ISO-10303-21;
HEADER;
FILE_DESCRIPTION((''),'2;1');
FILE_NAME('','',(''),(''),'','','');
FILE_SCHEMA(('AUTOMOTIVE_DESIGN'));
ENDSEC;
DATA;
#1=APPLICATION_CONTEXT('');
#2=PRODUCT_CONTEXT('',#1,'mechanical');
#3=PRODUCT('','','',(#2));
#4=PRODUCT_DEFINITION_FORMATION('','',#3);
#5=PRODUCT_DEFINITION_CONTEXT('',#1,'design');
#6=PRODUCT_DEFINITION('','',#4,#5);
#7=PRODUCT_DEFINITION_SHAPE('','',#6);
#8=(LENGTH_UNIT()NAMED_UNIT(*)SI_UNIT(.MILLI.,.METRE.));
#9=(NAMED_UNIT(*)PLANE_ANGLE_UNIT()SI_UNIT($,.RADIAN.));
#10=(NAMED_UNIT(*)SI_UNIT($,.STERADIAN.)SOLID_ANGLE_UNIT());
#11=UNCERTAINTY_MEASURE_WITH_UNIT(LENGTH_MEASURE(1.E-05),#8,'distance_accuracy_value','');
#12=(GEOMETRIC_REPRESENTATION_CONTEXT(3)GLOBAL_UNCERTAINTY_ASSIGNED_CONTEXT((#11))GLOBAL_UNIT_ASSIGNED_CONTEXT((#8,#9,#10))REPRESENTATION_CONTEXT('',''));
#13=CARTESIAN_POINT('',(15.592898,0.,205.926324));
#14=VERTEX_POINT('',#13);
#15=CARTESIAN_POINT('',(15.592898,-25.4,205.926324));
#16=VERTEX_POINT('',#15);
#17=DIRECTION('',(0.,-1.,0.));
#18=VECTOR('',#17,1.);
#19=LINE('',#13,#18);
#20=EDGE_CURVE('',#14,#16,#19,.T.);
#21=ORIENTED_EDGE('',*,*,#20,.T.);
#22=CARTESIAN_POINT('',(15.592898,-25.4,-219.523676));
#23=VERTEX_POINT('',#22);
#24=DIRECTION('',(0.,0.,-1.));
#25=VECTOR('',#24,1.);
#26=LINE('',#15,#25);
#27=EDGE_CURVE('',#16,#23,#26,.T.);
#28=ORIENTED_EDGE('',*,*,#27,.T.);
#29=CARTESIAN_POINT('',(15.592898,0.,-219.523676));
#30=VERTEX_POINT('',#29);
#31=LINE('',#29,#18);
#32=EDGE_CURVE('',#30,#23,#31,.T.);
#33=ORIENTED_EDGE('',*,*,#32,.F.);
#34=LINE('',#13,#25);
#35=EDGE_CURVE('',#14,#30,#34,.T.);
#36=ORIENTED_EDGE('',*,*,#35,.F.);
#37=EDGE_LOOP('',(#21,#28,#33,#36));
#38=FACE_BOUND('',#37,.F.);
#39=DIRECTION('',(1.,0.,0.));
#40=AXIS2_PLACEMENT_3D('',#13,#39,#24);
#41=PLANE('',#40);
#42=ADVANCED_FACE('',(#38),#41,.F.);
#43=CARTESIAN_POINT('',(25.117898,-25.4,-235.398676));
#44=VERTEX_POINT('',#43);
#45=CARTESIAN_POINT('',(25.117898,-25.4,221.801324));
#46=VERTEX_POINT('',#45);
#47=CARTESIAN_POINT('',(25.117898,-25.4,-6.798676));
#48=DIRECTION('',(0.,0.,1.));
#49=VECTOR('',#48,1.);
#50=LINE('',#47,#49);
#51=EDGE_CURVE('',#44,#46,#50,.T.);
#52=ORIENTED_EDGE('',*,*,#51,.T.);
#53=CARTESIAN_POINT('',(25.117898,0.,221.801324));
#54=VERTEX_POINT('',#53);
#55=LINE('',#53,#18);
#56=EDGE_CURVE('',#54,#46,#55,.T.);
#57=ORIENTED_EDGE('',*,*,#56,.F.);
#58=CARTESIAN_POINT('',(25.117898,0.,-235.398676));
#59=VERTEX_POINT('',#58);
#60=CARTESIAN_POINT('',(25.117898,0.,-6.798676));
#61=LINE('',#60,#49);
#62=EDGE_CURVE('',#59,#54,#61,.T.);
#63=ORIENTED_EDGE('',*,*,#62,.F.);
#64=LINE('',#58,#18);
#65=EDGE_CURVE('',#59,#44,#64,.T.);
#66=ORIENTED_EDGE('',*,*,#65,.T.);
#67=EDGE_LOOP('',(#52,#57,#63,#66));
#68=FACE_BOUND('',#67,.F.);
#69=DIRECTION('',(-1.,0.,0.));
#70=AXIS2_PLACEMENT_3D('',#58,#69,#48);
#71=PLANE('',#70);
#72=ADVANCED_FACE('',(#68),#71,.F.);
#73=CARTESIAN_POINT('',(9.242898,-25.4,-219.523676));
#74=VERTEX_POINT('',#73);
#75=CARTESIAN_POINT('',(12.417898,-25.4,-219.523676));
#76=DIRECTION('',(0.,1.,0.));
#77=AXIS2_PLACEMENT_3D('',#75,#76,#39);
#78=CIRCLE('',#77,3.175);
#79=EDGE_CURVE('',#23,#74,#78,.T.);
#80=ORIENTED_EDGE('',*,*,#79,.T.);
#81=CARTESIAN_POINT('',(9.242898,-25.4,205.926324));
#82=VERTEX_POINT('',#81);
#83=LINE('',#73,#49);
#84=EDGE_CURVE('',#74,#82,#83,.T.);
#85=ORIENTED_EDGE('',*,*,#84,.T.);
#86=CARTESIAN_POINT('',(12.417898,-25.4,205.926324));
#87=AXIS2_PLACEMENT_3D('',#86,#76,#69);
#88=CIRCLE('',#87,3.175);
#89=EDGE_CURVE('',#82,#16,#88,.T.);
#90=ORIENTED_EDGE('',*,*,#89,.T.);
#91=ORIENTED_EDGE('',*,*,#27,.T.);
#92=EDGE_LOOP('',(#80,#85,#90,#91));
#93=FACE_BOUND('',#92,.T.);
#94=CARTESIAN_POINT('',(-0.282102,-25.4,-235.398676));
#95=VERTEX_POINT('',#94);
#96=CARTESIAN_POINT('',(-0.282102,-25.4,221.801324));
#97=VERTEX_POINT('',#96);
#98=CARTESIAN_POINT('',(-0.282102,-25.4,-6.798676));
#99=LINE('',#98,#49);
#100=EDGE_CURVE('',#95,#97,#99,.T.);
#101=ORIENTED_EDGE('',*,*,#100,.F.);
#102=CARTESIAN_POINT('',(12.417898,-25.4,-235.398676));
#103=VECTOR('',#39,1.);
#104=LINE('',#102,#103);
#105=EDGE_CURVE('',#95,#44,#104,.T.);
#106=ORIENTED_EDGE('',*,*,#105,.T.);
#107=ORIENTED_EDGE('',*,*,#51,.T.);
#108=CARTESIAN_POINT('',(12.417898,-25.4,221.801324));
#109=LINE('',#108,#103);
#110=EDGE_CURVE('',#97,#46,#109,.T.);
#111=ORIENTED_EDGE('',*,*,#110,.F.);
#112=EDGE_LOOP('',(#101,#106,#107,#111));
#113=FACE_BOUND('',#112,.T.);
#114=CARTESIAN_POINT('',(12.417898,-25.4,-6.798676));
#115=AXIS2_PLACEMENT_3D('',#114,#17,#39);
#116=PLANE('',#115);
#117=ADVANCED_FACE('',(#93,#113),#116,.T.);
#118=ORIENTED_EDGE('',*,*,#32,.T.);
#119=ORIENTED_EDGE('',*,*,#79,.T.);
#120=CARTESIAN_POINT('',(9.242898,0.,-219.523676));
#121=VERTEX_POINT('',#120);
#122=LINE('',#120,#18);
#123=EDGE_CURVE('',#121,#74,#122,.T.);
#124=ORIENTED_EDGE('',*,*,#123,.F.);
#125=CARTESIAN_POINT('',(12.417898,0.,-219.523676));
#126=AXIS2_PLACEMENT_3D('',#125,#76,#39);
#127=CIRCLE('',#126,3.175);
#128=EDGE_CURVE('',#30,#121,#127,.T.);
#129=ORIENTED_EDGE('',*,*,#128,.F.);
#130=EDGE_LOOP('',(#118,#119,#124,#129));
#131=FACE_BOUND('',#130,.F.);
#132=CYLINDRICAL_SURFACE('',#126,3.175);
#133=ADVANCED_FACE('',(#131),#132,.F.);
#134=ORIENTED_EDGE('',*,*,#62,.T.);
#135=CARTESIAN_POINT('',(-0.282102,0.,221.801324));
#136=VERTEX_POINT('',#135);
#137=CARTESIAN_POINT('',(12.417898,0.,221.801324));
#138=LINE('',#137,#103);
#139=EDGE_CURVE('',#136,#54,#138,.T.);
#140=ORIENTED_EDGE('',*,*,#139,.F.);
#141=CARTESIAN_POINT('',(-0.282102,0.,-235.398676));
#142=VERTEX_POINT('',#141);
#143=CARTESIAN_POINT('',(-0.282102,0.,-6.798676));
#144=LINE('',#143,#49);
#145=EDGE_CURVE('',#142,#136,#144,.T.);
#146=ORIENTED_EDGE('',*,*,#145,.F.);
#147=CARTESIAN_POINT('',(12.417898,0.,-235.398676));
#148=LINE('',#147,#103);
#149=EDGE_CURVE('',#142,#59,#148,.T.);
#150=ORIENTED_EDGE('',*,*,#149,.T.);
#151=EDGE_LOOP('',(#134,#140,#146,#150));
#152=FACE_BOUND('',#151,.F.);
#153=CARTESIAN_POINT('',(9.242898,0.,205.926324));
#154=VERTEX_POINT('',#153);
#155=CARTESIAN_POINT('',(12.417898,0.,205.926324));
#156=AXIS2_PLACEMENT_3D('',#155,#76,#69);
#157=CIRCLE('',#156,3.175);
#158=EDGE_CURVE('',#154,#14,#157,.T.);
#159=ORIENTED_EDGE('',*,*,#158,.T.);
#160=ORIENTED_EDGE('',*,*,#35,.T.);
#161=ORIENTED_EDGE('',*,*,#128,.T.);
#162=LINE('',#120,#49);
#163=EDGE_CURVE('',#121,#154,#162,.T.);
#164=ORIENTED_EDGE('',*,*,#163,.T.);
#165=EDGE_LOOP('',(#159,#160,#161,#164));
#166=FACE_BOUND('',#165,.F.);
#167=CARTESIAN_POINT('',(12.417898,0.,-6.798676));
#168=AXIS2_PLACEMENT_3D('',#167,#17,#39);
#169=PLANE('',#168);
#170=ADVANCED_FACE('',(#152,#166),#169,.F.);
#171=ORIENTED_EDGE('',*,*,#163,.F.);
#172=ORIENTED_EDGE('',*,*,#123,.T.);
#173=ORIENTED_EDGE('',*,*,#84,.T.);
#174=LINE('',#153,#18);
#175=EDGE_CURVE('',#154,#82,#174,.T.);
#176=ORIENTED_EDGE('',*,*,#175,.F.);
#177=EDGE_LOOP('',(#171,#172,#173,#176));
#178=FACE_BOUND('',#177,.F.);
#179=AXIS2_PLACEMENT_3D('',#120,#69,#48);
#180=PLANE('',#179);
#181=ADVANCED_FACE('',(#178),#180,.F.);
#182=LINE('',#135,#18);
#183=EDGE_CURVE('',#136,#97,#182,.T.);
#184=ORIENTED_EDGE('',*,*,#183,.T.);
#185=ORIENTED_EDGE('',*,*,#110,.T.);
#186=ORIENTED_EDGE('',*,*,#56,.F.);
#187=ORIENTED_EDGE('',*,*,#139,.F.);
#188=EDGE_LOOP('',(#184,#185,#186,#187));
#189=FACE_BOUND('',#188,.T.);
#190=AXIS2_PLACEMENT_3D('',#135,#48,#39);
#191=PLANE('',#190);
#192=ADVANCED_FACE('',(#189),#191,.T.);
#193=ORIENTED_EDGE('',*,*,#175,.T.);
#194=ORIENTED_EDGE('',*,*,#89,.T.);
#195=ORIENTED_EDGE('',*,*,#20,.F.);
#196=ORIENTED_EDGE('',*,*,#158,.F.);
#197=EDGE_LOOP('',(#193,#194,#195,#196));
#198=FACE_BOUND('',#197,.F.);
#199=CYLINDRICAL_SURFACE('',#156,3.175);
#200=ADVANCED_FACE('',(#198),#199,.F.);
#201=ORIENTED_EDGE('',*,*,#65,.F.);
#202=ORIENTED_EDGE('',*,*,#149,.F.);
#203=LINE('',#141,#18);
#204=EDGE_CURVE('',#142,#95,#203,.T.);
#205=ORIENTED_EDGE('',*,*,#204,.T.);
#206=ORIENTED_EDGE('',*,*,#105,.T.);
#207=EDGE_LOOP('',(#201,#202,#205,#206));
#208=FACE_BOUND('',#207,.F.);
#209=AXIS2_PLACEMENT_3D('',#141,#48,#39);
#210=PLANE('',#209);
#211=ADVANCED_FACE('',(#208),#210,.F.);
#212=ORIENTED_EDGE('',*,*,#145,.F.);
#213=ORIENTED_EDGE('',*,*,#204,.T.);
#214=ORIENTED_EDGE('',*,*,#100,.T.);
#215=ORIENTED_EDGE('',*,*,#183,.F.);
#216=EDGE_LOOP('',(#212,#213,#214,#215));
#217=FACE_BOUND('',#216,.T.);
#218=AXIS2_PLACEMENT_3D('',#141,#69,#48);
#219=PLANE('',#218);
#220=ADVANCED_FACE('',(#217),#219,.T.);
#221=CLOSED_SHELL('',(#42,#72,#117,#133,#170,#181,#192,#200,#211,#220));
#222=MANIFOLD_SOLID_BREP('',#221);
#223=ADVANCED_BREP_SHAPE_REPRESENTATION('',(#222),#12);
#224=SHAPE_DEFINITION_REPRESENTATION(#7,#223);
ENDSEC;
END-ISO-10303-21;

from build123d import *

# Parameters (mm, degrees)
F0_W     = 25.4
F0_H     = 457.2
F1_DEPTH = 25.4


with BuildPart() as f1:
    # F0 (on Front) → F1 (new body)
    with BuildSketch(Plane.XZ):
        with Locations((12.417898, -6.798676)):
            Rectangle(F0_W, F0_H)
        with BuildLine():
            ThreePointArc((9.242898, 205.926324), (12.417898, 209.101324), (15.592898, 205.926324))
            Line((15.592898, 205.926324), (15.592898, -219.523676))
            ThreePointArc((15.592898, -219.523676), (12.417898, -222.698676), (9.242898, -219.523676))
            Line((9.242898, -219.523676), (9.242898, 205.926324))
        make_face(mode=Mode.SUBTRACT)
    extrude(amount=F1_DEPTH)


solid = f1.part
